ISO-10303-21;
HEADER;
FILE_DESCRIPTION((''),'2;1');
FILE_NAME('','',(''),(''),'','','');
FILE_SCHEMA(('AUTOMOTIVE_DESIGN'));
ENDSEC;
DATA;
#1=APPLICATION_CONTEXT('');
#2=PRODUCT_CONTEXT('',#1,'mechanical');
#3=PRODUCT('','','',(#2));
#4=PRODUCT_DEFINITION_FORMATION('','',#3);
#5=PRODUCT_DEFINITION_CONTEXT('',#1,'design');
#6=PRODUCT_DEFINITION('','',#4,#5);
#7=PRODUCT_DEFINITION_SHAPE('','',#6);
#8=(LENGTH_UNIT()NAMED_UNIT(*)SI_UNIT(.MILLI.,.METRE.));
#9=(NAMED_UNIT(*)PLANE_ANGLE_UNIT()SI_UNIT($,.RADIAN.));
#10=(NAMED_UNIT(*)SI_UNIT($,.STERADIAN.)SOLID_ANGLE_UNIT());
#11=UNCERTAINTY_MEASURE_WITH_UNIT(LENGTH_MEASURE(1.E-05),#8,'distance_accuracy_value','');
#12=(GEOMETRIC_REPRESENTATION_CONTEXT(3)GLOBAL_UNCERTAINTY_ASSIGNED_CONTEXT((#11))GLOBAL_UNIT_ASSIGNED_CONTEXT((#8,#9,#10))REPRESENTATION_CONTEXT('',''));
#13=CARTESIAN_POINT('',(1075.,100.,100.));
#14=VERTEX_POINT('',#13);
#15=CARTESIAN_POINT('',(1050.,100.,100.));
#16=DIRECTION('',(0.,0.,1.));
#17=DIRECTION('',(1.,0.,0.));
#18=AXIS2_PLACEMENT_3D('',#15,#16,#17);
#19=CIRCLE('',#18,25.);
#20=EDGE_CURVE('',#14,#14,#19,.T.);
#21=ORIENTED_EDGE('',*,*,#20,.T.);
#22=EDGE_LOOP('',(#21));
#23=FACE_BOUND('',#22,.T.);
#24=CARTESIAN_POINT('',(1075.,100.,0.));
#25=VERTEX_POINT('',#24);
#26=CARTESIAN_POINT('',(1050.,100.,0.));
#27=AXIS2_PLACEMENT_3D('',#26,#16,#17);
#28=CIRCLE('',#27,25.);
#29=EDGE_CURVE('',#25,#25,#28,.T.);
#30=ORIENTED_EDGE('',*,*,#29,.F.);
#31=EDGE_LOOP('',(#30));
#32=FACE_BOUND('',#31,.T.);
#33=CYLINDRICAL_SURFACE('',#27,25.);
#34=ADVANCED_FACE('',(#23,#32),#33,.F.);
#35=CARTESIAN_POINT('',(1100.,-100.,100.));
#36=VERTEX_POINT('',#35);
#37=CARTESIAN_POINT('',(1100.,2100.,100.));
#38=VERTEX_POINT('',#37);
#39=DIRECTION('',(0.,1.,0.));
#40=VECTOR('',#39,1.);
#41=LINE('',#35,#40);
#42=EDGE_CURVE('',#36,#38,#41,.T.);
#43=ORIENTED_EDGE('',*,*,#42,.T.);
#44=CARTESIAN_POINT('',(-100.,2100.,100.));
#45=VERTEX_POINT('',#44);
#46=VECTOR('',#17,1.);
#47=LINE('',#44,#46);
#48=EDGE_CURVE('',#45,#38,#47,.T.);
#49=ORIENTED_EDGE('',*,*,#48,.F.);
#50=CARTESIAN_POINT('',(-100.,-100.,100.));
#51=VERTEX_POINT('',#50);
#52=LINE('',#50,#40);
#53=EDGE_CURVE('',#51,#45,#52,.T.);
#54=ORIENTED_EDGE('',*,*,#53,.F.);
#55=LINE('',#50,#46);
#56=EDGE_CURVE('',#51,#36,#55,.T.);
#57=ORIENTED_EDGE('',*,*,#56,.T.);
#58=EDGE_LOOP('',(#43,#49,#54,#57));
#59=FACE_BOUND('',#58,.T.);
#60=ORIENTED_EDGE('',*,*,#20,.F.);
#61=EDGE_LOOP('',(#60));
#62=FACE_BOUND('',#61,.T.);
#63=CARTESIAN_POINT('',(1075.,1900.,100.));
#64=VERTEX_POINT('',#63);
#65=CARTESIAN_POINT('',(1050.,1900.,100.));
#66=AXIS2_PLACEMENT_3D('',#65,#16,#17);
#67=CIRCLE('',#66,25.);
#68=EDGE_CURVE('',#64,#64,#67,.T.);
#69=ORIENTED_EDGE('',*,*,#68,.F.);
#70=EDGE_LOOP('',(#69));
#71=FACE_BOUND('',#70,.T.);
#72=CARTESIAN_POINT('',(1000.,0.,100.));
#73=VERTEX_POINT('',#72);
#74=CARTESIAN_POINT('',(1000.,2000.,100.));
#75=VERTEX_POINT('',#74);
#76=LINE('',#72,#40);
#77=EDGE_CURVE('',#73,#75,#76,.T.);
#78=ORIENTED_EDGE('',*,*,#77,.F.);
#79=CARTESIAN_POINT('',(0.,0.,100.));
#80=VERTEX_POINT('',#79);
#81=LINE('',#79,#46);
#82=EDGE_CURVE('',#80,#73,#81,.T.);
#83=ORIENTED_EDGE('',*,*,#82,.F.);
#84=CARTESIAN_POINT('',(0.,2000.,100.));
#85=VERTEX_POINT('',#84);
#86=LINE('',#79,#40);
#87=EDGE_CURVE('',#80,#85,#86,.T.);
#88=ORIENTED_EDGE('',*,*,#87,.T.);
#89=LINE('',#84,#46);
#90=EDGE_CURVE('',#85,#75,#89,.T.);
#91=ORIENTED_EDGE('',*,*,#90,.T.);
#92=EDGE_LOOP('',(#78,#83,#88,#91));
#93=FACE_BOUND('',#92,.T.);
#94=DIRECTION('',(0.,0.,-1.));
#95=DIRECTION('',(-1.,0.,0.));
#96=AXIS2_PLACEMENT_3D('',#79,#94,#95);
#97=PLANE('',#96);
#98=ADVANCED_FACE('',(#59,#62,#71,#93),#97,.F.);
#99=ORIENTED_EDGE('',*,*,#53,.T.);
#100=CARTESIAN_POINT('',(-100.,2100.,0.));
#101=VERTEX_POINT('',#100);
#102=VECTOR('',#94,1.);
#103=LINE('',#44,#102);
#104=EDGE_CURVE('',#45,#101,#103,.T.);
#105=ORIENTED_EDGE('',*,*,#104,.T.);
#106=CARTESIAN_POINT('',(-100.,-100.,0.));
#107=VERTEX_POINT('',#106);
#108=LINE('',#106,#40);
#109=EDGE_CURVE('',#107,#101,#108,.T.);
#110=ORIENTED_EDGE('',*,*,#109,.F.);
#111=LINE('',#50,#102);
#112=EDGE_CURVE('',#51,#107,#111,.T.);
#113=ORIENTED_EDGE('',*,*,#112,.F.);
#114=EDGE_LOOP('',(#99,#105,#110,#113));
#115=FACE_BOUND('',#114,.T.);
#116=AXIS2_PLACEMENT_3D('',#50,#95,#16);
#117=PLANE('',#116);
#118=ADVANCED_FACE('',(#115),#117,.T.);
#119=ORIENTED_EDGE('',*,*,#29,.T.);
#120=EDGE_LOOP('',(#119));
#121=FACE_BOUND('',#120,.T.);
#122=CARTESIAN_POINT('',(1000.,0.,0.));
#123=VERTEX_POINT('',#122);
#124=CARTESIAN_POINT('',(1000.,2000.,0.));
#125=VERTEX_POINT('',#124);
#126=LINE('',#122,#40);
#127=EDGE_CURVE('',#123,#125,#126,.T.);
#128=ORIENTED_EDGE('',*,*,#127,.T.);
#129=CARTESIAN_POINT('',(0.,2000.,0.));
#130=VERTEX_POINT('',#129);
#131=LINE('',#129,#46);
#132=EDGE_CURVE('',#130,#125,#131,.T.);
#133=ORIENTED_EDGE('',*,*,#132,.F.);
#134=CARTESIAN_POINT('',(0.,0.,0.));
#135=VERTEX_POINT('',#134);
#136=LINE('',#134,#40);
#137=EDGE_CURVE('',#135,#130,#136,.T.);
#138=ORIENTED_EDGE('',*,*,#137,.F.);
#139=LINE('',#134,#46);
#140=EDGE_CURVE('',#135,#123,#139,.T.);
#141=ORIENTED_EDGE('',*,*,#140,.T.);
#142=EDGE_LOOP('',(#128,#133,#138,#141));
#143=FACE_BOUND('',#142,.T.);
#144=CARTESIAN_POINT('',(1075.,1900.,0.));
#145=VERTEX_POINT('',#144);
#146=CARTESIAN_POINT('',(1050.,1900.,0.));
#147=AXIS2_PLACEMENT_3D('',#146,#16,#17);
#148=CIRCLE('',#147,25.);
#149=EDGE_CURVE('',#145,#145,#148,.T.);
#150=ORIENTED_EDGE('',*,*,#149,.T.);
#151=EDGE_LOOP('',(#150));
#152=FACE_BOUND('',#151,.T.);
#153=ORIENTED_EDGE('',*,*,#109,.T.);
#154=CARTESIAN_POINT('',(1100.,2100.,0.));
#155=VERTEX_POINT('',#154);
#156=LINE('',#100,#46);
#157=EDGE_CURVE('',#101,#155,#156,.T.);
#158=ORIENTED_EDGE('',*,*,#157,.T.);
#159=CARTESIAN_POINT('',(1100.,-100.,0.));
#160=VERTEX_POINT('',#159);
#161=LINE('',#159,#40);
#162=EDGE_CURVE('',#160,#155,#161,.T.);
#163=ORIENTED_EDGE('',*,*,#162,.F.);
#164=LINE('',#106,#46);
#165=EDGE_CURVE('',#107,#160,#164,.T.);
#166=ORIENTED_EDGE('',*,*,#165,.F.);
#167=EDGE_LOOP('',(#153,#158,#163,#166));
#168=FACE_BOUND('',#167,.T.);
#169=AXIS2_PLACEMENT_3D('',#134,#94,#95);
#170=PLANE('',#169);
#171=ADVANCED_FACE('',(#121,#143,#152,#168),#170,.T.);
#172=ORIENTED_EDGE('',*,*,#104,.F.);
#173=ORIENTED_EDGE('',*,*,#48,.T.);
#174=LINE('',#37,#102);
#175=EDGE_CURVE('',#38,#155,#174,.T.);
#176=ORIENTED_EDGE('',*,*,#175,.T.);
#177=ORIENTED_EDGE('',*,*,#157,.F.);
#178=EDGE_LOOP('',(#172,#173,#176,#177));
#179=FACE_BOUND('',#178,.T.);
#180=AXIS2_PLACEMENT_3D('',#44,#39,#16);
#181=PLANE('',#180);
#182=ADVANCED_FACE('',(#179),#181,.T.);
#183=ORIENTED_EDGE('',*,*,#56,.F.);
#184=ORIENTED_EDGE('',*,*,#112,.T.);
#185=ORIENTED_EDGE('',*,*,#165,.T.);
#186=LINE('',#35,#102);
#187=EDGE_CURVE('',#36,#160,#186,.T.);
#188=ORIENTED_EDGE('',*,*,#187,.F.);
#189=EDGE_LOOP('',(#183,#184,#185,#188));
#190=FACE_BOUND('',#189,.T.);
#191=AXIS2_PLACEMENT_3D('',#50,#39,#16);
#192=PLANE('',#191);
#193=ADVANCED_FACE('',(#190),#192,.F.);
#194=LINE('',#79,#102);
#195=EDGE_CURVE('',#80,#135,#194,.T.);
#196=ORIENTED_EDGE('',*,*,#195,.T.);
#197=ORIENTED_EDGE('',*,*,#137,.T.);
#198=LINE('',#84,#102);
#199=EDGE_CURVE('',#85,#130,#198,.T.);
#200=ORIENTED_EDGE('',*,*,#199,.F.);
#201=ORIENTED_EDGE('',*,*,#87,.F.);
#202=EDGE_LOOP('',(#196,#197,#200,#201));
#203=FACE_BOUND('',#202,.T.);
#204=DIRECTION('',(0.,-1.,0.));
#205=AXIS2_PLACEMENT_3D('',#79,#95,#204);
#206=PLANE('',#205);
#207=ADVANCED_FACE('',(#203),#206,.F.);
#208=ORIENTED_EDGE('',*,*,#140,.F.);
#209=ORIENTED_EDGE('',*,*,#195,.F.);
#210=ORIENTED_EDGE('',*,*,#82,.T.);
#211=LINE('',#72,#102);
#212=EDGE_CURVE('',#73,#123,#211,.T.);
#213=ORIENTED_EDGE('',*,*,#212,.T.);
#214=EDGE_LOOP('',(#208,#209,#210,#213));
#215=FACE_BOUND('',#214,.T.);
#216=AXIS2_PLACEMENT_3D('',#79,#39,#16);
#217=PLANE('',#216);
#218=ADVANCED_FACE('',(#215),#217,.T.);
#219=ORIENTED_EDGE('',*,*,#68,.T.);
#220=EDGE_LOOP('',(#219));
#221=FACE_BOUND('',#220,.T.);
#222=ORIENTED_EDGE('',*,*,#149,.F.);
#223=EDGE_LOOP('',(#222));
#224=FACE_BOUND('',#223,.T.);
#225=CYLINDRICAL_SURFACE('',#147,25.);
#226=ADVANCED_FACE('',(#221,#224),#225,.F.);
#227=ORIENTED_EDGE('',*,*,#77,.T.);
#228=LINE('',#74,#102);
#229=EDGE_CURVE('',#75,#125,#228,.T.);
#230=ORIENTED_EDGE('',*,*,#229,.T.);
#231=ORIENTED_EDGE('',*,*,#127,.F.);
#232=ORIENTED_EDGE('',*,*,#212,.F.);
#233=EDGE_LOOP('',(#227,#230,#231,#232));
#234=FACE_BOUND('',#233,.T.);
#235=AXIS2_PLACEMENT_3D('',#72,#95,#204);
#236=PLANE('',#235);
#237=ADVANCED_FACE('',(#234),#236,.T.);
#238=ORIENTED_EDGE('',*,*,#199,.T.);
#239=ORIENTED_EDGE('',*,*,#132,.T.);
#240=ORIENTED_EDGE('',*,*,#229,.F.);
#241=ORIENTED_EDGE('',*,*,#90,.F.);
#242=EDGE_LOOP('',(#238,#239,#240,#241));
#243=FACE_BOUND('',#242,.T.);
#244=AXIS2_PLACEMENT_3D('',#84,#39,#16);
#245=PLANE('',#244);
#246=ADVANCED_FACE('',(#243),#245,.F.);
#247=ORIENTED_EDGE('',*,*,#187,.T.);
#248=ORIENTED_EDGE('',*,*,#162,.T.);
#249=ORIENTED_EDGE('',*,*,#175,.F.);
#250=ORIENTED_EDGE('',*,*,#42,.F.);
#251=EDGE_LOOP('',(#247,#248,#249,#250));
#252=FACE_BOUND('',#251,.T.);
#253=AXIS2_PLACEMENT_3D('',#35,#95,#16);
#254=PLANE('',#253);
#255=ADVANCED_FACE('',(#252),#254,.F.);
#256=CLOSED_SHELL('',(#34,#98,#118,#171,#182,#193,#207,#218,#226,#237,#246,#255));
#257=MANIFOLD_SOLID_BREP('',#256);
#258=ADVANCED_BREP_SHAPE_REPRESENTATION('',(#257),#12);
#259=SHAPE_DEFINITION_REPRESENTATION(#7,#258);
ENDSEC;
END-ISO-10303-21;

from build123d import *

# Parameters (mm, degrees)
SKETCH1_W           = 1200
SKETCH1_H           = 2200
SKETCH1_W_2         = 1000
SKETCH1_H_2         = 2000
BOSS_EXTRUDE1_DEPTH = 100
SKETCH2_R           = 25
CUT_EXTRUDE1_DEPTH  = 2373.762103541


with BuildPart() as part:
    # Sketch1 → Boss-Extrude1 (new body)
    with BuildSketch(Plane.XY):
        with Locations((500, 1000)):
            Rectangle(SKETCH1_W, SKETCH1_H)
        with Locations((500, 1000)):
            Rectangle(SKETCH1_W_2, SKETCH1_H_2, mode=Mode.SUBTRACT)
    extrude(amount=BOSS_EXTRUDE1_DEPTH)

    # Sketch2 → Cut-Extrude1 (cut, through all)
    with BuildSketch(Plane.XY.offset(100)):
        with Locations((1050, 1900)):
            Circle(SKETCH2_R)
        with Locations((1050, 100)):
            Circle(SKETCH2_R)
    extrude(amount=-CUT_EXTRUDE1_DEPTH, mode=Mode.SUBTRACT)


solid = part.part
